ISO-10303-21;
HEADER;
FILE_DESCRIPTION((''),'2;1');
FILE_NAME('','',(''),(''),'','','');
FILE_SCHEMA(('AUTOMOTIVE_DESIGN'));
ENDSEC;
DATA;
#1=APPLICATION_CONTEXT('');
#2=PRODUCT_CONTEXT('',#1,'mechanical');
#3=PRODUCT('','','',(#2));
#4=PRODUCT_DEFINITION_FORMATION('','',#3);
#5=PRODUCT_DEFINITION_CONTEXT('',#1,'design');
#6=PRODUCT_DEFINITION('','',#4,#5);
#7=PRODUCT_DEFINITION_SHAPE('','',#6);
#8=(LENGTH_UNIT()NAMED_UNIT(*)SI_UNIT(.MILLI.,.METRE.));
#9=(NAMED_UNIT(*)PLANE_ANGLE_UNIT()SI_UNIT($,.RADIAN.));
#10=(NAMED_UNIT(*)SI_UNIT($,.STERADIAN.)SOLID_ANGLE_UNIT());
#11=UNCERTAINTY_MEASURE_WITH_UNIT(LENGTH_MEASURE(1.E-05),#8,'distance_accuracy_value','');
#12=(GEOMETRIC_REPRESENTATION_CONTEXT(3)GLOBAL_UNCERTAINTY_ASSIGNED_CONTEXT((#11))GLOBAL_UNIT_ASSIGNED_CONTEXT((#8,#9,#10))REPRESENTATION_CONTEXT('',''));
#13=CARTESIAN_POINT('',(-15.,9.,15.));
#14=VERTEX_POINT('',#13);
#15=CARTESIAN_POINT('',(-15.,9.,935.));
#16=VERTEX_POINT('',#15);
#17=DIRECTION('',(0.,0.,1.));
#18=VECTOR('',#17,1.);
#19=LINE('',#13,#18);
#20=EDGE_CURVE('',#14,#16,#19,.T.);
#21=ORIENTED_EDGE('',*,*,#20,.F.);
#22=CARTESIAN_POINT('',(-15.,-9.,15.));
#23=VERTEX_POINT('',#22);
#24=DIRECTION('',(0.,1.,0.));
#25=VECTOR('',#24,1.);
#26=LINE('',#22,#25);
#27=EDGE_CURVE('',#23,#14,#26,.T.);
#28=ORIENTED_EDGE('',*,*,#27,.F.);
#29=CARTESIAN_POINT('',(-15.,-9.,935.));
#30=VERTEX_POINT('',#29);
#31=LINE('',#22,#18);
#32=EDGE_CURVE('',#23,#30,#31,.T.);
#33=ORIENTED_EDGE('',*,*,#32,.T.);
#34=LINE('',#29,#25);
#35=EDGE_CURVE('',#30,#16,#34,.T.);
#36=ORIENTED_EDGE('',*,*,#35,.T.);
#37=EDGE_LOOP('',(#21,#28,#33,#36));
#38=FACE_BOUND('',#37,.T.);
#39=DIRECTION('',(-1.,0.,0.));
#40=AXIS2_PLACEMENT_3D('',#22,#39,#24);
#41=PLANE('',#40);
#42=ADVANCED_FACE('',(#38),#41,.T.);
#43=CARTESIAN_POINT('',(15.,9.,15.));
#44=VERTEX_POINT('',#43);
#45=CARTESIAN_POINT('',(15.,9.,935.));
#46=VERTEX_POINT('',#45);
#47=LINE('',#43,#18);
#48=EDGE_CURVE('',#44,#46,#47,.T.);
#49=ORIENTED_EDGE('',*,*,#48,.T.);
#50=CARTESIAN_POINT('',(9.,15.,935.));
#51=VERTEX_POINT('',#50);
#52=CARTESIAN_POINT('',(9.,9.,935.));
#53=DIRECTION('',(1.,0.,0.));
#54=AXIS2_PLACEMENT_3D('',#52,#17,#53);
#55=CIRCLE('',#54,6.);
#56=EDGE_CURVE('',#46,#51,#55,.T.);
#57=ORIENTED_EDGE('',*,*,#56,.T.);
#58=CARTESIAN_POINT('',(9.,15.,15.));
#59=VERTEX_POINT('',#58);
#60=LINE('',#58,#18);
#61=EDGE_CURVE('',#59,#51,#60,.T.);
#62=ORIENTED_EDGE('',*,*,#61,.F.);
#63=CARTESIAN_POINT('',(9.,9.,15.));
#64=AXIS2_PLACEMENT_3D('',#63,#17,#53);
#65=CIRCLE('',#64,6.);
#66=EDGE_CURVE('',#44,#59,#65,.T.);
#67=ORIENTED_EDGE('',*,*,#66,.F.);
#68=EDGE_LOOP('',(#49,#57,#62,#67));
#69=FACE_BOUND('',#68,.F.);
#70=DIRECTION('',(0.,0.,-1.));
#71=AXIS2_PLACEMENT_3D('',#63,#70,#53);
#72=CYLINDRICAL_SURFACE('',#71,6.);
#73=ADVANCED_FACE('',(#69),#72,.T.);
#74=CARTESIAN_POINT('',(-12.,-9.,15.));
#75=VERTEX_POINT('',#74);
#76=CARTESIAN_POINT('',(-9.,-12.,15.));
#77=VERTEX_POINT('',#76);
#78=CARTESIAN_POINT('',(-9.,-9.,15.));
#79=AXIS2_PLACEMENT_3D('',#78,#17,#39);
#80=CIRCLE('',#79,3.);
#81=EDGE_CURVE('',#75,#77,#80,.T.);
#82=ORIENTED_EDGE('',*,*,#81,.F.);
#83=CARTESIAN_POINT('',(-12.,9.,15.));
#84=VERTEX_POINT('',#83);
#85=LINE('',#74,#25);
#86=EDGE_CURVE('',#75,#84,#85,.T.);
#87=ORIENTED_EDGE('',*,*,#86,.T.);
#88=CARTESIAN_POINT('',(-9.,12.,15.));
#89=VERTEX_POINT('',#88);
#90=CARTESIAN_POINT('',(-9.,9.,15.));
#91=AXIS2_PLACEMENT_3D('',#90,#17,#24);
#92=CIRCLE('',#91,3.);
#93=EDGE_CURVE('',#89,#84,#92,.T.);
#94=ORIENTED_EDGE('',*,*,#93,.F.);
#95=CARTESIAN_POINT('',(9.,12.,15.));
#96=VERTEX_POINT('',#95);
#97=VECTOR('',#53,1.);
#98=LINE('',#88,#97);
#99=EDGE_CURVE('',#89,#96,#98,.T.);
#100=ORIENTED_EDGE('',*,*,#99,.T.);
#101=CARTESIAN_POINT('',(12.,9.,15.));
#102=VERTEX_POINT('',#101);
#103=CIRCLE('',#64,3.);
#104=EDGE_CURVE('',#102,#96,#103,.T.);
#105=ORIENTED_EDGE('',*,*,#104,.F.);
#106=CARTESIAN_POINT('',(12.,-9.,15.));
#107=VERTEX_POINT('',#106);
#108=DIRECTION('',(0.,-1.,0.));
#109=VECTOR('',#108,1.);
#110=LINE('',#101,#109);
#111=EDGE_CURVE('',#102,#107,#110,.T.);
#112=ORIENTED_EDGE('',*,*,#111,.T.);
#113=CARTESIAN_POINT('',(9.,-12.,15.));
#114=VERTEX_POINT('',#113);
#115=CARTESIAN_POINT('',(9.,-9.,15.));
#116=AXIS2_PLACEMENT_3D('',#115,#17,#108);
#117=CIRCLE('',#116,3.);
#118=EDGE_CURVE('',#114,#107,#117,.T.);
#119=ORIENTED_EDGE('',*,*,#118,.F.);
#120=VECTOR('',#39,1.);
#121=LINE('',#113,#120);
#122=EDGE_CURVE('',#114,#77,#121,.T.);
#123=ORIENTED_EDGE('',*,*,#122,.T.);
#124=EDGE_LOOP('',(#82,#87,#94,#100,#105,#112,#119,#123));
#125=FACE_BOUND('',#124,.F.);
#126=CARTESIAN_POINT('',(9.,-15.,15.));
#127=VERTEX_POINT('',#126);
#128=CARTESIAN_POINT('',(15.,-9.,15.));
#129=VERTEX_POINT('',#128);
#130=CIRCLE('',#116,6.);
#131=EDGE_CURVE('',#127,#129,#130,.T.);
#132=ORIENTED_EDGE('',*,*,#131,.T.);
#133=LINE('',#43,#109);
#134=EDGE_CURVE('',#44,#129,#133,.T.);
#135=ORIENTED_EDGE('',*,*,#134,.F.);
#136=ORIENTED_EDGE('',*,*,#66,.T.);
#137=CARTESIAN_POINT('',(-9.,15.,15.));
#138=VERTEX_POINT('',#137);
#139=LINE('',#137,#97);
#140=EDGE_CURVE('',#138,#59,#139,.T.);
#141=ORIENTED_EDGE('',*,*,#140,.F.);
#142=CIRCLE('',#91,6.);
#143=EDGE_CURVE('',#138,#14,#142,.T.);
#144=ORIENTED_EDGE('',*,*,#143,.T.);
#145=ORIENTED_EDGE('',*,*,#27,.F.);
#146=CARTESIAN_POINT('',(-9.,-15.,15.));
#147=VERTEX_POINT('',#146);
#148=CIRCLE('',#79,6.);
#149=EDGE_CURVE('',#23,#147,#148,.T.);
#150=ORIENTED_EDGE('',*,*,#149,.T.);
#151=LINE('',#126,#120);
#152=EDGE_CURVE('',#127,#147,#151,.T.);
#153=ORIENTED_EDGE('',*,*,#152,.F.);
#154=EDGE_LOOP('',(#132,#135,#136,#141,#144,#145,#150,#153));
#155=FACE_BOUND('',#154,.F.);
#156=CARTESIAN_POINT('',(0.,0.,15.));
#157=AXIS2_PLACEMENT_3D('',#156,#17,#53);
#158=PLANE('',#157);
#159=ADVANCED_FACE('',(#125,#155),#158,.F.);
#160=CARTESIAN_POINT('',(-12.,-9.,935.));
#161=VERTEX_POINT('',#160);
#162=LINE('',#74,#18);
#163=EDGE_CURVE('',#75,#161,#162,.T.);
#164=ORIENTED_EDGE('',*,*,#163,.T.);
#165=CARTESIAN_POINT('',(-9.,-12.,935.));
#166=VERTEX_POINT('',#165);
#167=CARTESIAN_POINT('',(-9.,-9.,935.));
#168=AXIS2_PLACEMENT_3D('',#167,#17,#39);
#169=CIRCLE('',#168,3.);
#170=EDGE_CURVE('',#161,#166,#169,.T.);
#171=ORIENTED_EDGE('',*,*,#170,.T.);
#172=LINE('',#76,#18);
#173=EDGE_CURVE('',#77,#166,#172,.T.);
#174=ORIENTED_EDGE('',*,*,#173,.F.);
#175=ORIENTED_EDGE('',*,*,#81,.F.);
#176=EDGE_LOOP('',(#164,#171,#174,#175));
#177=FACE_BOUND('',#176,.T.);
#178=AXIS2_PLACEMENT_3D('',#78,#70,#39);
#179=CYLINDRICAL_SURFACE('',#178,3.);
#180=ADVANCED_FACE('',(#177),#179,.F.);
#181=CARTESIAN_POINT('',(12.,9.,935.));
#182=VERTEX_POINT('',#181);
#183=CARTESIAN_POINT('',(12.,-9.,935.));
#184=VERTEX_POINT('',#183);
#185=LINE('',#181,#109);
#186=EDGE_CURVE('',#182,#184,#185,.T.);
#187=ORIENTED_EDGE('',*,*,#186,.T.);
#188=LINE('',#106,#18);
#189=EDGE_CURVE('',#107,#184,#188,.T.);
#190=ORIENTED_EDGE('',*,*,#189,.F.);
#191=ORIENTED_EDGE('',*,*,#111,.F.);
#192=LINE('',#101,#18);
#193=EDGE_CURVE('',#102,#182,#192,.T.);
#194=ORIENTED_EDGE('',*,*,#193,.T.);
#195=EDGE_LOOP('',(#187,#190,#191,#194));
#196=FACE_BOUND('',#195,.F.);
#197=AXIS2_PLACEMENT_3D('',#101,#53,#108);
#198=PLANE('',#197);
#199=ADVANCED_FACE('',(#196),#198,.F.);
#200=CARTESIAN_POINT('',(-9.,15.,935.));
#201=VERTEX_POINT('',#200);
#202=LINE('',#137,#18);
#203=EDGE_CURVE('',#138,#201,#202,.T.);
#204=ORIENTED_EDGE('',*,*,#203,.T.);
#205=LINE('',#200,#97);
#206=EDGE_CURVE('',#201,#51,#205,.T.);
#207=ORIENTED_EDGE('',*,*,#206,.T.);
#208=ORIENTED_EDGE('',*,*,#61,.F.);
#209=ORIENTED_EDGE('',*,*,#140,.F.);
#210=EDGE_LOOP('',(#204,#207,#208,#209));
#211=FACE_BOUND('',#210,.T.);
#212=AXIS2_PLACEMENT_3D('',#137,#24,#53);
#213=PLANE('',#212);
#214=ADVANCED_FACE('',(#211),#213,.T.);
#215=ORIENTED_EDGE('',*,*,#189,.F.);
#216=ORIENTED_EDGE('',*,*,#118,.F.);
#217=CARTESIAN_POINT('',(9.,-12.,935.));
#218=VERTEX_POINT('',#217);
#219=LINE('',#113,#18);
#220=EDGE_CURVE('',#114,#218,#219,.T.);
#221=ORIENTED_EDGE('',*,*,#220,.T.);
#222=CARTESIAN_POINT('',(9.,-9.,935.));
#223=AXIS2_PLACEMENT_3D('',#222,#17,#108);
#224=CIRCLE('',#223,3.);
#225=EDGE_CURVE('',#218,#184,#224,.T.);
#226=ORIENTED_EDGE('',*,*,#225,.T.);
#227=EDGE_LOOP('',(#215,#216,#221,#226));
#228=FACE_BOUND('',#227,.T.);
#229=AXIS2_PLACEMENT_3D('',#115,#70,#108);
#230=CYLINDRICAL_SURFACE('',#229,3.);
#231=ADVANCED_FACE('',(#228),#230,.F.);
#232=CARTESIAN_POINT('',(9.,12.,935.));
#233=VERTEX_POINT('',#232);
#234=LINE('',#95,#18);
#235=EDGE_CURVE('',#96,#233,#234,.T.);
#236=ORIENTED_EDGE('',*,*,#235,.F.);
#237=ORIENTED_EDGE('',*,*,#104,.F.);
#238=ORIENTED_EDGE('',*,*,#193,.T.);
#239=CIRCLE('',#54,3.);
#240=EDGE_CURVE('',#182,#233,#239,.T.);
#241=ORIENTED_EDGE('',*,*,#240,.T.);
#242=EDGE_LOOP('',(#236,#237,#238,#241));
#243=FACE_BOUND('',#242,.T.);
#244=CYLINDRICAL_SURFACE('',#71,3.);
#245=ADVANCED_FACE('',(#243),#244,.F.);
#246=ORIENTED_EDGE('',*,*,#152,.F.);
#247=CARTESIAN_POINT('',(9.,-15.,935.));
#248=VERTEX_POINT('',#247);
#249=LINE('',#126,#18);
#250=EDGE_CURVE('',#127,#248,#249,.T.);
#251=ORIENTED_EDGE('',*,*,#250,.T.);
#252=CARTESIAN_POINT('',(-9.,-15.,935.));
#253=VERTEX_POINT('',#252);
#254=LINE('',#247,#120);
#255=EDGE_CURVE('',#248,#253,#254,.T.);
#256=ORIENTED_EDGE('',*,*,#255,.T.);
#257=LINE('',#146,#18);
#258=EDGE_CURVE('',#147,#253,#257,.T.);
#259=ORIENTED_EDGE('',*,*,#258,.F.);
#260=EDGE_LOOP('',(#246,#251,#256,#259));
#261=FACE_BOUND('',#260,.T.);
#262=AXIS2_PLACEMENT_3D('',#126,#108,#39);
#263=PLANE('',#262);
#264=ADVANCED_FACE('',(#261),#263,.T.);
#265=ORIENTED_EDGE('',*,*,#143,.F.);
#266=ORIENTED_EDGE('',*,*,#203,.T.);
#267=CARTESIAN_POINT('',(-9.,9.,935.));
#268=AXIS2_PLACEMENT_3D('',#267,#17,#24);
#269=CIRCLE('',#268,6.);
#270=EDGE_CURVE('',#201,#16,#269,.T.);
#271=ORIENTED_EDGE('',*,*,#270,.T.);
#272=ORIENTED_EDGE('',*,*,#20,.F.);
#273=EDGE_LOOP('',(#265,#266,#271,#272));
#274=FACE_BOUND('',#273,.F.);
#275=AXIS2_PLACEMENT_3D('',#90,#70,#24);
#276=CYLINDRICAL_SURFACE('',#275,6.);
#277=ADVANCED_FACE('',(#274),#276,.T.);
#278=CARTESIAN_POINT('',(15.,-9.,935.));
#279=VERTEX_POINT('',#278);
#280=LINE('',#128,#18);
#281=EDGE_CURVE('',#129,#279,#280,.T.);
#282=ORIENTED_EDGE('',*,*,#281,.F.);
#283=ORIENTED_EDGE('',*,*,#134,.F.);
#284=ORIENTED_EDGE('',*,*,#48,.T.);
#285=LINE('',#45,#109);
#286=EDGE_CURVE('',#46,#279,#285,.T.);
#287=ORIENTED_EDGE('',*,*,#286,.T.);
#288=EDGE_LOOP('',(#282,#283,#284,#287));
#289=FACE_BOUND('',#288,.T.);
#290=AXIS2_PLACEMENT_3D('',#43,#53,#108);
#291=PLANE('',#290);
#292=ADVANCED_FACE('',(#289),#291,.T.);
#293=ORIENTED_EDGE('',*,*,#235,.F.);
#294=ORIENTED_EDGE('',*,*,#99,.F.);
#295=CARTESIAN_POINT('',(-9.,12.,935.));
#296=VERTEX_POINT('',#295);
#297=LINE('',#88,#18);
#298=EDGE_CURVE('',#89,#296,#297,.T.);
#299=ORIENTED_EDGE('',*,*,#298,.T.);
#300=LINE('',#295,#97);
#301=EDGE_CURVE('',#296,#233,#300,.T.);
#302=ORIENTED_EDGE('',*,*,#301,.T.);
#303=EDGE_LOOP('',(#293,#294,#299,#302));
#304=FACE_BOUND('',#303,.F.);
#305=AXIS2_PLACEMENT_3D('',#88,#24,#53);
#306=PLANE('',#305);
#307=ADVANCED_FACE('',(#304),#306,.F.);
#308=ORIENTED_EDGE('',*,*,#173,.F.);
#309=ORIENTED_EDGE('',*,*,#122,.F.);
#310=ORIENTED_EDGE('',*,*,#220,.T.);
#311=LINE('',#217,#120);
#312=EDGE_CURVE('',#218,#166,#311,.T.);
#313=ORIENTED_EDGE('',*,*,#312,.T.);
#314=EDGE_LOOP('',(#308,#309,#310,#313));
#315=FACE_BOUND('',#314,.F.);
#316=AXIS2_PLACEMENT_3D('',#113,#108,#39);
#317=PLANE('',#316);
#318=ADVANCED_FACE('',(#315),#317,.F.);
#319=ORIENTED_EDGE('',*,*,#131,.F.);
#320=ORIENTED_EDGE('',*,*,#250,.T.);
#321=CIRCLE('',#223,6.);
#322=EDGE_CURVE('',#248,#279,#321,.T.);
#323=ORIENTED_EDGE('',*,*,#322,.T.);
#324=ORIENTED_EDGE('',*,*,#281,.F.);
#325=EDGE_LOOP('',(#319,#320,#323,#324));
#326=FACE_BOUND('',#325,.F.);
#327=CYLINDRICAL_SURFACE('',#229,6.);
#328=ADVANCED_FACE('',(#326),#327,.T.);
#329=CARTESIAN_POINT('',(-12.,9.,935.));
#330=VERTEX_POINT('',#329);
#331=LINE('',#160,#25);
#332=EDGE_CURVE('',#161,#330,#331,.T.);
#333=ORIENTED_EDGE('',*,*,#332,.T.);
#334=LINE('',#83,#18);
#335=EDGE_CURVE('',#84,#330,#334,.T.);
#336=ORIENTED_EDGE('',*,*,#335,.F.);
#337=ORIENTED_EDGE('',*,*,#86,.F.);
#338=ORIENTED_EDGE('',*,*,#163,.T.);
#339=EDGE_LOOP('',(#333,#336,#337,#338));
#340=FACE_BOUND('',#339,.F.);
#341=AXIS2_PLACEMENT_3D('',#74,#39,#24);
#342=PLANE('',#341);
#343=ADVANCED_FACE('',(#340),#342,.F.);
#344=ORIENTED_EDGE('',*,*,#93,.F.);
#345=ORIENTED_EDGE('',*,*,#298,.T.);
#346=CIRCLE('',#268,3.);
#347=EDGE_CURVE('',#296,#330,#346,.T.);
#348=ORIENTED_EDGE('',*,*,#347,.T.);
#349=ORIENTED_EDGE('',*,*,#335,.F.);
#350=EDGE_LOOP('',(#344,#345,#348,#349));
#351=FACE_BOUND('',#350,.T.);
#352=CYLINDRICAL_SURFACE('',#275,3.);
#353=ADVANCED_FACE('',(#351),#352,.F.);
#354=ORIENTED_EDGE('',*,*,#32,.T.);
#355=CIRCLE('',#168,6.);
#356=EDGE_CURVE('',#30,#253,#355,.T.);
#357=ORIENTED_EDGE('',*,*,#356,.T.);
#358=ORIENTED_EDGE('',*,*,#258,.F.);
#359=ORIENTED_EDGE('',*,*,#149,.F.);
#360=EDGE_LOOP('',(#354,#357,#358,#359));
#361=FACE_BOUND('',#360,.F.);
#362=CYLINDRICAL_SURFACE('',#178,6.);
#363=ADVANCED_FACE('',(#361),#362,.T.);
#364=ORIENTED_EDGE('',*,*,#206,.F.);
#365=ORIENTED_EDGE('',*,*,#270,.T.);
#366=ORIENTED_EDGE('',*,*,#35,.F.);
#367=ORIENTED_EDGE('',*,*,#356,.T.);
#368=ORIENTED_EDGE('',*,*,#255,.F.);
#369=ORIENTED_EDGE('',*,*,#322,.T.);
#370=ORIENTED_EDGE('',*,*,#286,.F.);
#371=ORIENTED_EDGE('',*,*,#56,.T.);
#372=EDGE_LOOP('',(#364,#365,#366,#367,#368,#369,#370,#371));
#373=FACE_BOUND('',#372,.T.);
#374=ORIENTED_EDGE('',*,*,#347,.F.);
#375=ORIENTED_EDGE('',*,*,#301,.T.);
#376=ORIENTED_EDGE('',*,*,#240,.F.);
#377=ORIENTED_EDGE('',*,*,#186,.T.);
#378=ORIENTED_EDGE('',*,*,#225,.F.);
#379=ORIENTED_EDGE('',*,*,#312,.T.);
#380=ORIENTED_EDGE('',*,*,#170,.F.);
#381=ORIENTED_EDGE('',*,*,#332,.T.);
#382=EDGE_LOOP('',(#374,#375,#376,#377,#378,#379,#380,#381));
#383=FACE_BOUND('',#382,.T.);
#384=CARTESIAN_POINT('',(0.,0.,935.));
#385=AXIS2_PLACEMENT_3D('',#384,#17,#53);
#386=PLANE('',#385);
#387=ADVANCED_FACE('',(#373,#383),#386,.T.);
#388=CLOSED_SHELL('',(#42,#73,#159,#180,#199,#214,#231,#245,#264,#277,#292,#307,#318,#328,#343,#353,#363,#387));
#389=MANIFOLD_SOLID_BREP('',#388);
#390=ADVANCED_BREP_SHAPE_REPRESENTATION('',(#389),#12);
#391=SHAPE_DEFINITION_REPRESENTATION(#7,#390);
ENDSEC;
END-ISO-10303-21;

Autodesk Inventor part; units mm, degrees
ref_plane "Start Plane" through (0, 0, 15) normal (0, 0, 1) x (1, 0, 0)
ref_plane "End Plane" through (0, 0, 935) normal (0, 0, 1) x (1, 0, 0)
sketch "Sketch" plane through (0, 0, 0) normal (0, 0, 1) x (1, 0, 0)
  line L0 (-15, -9) -> (-15, 9)
  line L1 (-9, 15) -> (9, 15)
  line L2 (15, 9) -> (15, -9)
  line L3 (9, -15) -> (-9, -15)
  arc A0 (-15, -9) -> (-9, -15) centre (-9, -9) ccw
  arc A1 (-9, 15) -> (-15, 9) centre (-9, 9) ccw
  arc A2 (15, 9) -> (9, 15) centre (9, 9) ccw
  arc A3 (9, -15) -> (15, -9) centre (9, -9) ccw
  arc A4 (-9, 12) -> (-12, 9) centre (-9, 9) ccw
  line L4 (-9, 12) -> (9, 12)
  arc A5 (12, 9) -> (9, 12) centre (9, 9) ccw
  line L5 (12, 9) -> (12, -9)
  arc A6 (9, -12) -> (12, -9) centre (9, -9) ccw
  line L6 (9, -12) -> (-9, -12)
  arc A7 (-12, -9) -> (-9, -12) centre (-9, -9) ccw
  line L7 (-12, -9) -> (-12, 9)
  line L8 (0, 22.7397) -> (0, -22.7397) construction
  line L9 (-22.7397, 0) -> (22.7397, 0) construction
  dimension "d7" = 6
  dimension "d10" = 30
  dimension "d11" = 30
  dimension "d12" = 3
  dimension "d15" = 15
  dimension "d16" = 15
extrude "Body" add sketch "Sketch" along normal up to surface (920 mm away) from surface at 15
sketch "Sketch3" plane through (0, 0, 0) normal (0, 0, 1) x (1, 0, 0)
  line L0 (0, 0) -> (10, 0)
ref_plane "Work Plane3" through (0, 0, 0) normal (0, -1, 0) x (1, 0, 0)
ref_plane "Work Plane4" through (-2131, 0, 15) normal (0, 0, -1) x (-1, 0, 0)
split "Split1" plane through (-2131, 0, 15) removes the side toward (0, 0, -1)
ref_plane "Work Plane5" through (-400, -991, 935) normal (0, 0, 1) x (1, 0, 0)
split "Split2" plane through (-400, -991, 935) removes the side toward (0, 0, 1)
sketch "Sketch4" plane through (0, 0, 0) normal (0, -1, 0) x (1, 0, 0)
  line L0 (-2, 15) -> (12, 15) projected
  line L1 (-2, 935) -> (12, 935) projected
  dimension "d18" = 920
equation "\"d7\" = G_IR"
equation "\"d10\" = G_H"
equation "\"d11\" = G_W"
equation "\"d12\" = G_T"
equation "\"d15\" = 0.5 * d10"
equation "\"d16\" = 0.5 * d11"
equation "\"d3\" = G_L"
equation "\"G_W\" = 30"
equation "\"G_H\" = 30"
equation "\"G_T\" = 3"
equation "\"G_IR\" = 6"
equation "\"G_L\" = d18"
equation "\"G_OFFSET_START\" = -15"
equation "\"G_OFFSET_END\" = -15"
equation "\"d13\" = -G_OFFSET_START"
equation "\"d14\" = G_OFFSET_END + B_L"
equation "\"B_L\" = 950"
properties part number "DIN EN 10219-2 - 30 x 30 x 3  - 920" material "Steel, Mild"
